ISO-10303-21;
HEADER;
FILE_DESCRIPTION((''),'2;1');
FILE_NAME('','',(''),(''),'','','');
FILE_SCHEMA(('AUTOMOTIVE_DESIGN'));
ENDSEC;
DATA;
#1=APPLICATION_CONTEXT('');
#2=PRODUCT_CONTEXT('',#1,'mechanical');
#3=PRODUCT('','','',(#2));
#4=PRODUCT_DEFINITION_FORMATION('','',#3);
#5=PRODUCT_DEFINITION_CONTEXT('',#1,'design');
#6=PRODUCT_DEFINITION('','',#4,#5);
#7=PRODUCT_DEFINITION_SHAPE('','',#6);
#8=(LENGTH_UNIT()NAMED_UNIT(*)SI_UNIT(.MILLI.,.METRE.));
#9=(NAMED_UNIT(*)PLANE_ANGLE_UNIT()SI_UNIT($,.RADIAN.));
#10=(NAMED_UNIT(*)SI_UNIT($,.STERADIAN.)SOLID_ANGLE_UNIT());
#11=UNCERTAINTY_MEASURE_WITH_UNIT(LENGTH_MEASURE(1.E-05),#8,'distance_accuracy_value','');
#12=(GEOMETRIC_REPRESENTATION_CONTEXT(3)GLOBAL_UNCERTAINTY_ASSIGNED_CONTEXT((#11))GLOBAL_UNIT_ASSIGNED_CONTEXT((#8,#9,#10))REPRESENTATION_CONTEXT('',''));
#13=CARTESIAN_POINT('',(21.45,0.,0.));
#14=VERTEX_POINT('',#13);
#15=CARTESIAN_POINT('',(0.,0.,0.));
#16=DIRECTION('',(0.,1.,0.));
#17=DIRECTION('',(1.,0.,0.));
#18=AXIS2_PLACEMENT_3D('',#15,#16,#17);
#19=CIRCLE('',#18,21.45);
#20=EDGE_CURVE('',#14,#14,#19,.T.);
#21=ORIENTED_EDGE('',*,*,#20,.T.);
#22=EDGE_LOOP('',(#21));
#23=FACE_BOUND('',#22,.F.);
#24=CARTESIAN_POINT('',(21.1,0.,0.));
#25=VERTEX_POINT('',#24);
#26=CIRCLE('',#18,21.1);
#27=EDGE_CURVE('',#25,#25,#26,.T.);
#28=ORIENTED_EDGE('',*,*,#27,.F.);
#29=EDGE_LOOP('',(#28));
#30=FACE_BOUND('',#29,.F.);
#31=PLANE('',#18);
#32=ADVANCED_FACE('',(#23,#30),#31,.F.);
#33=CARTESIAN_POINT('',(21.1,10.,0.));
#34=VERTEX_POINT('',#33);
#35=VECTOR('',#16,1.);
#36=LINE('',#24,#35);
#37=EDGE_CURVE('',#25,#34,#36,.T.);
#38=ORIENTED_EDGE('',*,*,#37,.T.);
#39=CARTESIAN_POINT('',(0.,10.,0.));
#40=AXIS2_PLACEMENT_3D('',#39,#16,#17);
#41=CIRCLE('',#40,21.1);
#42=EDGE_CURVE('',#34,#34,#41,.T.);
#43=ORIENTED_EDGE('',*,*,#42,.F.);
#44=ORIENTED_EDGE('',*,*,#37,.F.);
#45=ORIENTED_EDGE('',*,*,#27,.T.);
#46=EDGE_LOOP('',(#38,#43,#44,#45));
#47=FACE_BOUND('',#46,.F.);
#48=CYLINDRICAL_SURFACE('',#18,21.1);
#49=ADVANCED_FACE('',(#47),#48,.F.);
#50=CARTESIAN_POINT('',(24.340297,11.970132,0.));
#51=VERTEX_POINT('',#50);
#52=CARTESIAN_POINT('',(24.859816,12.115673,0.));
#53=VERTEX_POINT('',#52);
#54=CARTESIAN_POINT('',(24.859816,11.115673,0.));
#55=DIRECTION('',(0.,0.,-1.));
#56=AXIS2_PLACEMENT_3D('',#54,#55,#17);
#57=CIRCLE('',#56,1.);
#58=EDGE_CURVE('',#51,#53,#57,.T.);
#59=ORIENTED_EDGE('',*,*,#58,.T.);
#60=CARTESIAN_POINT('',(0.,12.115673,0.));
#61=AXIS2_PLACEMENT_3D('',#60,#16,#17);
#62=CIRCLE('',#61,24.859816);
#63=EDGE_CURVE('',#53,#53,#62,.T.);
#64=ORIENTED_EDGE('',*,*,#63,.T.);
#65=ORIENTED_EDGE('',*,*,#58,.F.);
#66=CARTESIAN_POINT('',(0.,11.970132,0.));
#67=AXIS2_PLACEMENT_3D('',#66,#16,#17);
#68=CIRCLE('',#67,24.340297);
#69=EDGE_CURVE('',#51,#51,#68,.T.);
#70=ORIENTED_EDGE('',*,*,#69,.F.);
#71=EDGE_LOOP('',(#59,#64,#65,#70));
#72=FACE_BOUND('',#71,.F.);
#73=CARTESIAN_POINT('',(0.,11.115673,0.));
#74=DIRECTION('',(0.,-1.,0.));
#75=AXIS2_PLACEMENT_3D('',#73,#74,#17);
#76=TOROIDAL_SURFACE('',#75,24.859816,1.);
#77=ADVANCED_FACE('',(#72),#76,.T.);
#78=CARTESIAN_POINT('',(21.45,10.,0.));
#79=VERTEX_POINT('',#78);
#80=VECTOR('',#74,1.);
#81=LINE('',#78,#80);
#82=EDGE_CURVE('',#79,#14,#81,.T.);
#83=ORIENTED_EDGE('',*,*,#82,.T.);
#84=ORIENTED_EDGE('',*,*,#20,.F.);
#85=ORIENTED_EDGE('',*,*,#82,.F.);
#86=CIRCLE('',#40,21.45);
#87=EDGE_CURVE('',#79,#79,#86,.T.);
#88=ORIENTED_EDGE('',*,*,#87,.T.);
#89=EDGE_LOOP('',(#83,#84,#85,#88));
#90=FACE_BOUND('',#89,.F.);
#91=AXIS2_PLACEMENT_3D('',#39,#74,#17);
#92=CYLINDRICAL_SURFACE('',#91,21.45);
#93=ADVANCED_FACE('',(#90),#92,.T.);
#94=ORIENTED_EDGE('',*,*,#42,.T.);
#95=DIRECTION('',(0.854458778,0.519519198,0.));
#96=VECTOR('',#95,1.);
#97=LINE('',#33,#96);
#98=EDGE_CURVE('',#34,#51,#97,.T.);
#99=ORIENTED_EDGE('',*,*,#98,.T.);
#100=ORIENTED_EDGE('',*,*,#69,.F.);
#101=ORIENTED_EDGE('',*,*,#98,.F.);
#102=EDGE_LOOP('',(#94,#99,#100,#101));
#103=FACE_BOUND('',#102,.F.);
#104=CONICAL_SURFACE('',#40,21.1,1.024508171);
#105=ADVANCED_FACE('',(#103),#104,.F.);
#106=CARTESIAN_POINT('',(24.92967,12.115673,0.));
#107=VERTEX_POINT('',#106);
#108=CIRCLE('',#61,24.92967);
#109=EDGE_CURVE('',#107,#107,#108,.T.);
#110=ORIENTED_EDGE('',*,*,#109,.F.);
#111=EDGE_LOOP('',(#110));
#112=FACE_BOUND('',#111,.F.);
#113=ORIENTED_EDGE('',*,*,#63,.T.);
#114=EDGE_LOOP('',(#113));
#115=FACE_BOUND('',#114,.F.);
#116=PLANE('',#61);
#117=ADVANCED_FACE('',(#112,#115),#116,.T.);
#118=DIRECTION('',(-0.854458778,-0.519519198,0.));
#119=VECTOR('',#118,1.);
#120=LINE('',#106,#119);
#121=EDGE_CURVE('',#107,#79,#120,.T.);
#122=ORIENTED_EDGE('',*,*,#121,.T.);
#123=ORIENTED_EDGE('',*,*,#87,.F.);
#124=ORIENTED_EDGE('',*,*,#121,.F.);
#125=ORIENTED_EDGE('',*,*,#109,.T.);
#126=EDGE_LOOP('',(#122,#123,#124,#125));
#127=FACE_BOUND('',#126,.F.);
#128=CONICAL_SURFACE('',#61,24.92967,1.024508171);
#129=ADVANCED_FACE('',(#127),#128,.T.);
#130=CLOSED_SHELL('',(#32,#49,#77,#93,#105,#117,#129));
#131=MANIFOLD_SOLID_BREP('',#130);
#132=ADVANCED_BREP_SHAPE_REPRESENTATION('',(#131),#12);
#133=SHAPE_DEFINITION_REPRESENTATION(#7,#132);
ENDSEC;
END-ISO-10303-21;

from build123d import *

# Parameters (mm, degrees)
FILLET_R = 1


with BuildPart() as part:
    # Sketch → Revolution (revolve)
    with BuildSketch(Plane.XY):
        Polygon((21.1, 0), (21.1, 10), (24.57967, 12.115673), (24.92967, 12.115673), (21.45, 10), (21.45, 0), align=None)
    revolve(axis=Axis((0, 0, 0), (0, 1, 0)))

    # Fillet
    fillet_edges = [part.edges().sort_by_distance(p)[0] for p in [
        (-24.57967, 12.115673, 0),
    ]]
    fillet(fillet_edges, radius=FILLET_R)


solid = part.part
